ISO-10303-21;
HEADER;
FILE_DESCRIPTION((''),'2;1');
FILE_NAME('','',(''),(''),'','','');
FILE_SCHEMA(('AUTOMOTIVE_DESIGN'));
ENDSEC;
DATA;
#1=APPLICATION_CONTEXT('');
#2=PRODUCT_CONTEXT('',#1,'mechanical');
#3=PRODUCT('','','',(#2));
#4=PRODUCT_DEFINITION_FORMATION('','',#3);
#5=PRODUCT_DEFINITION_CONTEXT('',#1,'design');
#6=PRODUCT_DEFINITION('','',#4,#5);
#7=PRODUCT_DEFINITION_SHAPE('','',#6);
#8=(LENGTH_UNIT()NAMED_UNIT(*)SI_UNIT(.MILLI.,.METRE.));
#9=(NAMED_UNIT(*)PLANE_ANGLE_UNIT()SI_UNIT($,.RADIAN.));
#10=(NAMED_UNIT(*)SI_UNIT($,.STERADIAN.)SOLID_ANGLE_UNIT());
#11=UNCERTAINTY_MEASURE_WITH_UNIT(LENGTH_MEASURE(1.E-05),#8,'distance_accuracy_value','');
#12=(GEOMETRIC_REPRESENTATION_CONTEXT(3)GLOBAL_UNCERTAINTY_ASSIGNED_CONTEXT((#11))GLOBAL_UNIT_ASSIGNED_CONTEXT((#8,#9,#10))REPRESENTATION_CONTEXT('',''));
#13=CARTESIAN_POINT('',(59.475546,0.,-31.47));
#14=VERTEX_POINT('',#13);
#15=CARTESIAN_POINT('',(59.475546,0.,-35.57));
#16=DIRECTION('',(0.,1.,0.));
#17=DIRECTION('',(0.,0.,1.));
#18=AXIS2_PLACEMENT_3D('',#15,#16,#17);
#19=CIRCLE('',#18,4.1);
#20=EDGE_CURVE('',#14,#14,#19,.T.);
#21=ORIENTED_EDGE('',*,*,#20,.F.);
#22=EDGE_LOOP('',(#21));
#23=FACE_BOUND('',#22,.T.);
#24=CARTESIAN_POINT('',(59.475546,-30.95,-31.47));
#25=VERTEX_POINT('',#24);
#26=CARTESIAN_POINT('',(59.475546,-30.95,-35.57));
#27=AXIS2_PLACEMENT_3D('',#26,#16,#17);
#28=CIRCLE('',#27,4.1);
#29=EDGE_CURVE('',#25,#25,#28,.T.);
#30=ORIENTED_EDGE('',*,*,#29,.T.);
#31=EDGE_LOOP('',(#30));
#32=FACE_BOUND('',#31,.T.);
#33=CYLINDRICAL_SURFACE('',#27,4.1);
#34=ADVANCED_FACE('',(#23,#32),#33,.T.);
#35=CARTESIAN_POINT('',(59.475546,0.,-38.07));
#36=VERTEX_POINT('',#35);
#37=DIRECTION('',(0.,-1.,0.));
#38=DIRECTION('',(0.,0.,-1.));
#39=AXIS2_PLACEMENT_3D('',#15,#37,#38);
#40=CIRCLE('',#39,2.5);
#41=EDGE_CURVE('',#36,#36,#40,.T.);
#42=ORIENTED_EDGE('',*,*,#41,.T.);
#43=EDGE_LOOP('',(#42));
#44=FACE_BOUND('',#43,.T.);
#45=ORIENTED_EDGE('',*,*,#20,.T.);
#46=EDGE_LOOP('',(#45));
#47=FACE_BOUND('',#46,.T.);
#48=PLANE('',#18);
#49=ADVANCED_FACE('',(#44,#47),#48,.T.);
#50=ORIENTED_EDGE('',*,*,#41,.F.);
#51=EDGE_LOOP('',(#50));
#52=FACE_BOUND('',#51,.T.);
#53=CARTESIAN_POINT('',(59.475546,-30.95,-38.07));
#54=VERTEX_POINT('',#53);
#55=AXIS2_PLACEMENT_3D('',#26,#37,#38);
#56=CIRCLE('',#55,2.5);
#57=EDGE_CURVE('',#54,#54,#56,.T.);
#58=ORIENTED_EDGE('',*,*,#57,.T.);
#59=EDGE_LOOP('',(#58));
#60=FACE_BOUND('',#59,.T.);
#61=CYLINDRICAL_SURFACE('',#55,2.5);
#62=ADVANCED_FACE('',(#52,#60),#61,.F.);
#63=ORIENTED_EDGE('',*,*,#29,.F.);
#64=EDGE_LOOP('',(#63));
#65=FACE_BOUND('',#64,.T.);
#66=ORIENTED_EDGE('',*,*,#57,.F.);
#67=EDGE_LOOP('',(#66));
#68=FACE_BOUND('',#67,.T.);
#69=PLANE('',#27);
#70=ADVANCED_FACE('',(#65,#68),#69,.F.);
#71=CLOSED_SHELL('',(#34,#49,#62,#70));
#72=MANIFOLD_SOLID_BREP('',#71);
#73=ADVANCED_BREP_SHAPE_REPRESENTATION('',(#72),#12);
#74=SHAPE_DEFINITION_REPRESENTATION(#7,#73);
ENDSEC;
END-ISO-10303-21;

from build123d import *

# Parameters (mm, degrees)
SKETCH1_R               = 4.1
BOSS_EXTRUDE1_DEPTH     = 30.95
TAP_DRILL_FOR_M6_TAP1_D = 5


with BuildPart() as part:
    # Sketch1 → Boss-Extrude1 (new body)
    with BuildSketch(Plane(origin=(0, 0, 0), x_dir=(1, 0, 0), z_dir=(0, 1, 0))):
        with Locations((59.475545776, 35.570000001)):
            Circle(SKETCH1_R)
    extrude(amount=-BOSS_EXTRUDE1_DEPTH)

    # Tap Drill for M6 Tap1 (through all)
    with Locations(Plane(origin=(0, -30.95, 0), x_dir=(-1, 0, 0), z_dir=(0, -1, 0))):
        with Locations((-59.475545776, 35.570000001)):
            Hole(TAP_DRILL_FOR_M6_TAP1_D / 2)


solid = part.part
